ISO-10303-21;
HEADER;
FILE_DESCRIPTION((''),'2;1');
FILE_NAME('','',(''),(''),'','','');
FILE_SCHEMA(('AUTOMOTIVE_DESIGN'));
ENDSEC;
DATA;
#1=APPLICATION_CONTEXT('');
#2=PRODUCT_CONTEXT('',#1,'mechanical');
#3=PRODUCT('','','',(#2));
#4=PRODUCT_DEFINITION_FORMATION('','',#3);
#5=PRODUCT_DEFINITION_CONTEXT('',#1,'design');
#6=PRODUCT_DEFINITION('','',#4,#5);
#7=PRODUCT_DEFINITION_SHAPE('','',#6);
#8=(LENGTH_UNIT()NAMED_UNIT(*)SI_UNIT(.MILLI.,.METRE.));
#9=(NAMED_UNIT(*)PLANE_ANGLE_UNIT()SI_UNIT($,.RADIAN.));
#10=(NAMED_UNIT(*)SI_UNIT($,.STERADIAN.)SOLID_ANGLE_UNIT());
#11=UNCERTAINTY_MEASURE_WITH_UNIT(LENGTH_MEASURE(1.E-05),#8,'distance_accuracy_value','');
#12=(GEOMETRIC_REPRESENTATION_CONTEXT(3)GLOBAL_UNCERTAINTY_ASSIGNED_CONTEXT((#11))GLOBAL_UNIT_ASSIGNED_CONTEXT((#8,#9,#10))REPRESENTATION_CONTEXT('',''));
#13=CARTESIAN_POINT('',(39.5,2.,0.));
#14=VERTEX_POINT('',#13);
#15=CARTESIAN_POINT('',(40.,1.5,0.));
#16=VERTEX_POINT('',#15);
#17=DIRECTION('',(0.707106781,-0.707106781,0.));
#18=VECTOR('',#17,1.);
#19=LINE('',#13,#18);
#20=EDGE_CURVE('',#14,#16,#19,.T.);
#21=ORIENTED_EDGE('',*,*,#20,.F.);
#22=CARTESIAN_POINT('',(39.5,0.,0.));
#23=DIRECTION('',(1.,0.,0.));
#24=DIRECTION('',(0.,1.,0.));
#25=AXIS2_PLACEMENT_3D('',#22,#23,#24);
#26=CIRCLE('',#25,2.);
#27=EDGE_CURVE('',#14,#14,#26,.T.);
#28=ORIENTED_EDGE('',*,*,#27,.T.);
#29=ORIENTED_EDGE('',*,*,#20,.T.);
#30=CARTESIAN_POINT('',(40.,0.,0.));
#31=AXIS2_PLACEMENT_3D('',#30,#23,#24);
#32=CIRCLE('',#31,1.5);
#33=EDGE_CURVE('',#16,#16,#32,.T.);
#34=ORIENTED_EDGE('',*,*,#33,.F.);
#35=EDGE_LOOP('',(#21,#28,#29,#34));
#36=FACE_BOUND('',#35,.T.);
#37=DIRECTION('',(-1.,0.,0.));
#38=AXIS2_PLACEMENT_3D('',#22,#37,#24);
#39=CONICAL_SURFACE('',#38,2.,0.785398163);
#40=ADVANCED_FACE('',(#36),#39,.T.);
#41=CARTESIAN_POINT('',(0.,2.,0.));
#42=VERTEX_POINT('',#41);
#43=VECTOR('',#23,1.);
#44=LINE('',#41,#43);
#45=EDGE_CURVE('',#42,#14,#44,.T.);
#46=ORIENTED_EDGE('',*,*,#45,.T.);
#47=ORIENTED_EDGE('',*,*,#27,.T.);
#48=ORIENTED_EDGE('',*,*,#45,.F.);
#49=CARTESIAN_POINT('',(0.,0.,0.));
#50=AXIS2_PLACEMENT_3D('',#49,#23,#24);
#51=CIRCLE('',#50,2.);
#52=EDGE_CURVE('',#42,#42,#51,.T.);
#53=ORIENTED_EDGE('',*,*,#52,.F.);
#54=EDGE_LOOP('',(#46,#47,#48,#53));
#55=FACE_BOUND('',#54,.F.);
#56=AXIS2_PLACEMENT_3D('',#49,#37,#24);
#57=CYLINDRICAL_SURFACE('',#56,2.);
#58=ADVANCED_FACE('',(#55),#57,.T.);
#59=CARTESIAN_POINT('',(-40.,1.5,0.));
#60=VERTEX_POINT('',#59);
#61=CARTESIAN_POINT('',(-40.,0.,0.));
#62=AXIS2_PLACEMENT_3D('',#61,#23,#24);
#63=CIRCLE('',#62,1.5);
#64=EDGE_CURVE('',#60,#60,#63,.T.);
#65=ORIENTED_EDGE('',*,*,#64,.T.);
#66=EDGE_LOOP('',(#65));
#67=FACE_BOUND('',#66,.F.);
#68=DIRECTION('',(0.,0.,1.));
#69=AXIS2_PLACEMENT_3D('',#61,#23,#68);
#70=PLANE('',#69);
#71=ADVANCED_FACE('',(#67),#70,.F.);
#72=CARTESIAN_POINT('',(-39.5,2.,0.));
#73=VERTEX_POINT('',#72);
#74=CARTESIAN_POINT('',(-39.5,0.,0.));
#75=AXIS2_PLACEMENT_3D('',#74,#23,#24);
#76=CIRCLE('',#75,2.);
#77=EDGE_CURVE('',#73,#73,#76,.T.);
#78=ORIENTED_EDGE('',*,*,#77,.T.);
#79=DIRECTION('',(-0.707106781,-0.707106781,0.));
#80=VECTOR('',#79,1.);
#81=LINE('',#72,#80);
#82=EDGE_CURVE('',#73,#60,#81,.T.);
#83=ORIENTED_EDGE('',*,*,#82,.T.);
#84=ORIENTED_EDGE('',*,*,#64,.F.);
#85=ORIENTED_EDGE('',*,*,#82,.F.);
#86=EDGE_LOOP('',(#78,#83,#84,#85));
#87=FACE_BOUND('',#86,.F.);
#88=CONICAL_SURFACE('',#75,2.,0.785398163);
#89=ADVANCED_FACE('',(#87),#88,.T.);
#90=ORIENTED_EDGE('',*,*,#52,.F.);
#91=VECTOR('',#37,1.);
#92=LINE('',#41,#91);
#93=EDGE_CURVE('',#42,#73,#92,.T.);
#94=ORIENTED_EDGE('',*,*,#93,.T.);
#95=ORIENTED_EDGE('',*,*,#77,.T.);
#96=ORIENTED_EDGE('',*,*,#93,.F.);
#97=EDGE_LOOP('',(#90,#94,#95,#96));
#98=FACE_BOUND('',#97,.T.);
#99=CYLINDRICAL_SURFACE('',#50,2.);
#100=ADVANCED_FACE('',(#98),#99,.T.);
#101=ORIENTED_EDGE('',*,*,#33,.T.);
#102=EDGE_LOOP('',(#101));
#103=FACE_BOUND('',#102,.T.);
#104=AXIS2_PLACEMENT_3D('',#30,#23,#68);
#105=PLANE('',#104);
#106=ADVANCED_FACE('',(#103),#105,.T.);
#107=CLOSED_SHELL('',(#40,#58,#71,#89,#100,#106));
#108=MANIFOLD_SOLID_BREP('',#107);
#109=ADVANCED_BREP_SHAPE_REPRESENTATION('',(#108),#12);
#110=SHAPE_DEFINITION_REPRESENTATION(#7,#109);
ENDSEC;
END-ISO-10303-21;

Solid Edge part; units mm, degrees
sketch "Sketch1" plane through (0, 0, 0) normal (1, 0, 0) x (0, 1, 0)
  circle A0 centre (0, 0) radius 2
  dimension "D1" = 4
extrude "Protrusion1" add sketch "Sketch1" along normal mid plane 80
chamfer "Fase_1" distance 0.5 angle 45 2 edges at (40, -2, 0) (-40, -2, 0)
properties material "Aluminiumlegierung:3.0205, Al 99.0, EN-AW 1200"
